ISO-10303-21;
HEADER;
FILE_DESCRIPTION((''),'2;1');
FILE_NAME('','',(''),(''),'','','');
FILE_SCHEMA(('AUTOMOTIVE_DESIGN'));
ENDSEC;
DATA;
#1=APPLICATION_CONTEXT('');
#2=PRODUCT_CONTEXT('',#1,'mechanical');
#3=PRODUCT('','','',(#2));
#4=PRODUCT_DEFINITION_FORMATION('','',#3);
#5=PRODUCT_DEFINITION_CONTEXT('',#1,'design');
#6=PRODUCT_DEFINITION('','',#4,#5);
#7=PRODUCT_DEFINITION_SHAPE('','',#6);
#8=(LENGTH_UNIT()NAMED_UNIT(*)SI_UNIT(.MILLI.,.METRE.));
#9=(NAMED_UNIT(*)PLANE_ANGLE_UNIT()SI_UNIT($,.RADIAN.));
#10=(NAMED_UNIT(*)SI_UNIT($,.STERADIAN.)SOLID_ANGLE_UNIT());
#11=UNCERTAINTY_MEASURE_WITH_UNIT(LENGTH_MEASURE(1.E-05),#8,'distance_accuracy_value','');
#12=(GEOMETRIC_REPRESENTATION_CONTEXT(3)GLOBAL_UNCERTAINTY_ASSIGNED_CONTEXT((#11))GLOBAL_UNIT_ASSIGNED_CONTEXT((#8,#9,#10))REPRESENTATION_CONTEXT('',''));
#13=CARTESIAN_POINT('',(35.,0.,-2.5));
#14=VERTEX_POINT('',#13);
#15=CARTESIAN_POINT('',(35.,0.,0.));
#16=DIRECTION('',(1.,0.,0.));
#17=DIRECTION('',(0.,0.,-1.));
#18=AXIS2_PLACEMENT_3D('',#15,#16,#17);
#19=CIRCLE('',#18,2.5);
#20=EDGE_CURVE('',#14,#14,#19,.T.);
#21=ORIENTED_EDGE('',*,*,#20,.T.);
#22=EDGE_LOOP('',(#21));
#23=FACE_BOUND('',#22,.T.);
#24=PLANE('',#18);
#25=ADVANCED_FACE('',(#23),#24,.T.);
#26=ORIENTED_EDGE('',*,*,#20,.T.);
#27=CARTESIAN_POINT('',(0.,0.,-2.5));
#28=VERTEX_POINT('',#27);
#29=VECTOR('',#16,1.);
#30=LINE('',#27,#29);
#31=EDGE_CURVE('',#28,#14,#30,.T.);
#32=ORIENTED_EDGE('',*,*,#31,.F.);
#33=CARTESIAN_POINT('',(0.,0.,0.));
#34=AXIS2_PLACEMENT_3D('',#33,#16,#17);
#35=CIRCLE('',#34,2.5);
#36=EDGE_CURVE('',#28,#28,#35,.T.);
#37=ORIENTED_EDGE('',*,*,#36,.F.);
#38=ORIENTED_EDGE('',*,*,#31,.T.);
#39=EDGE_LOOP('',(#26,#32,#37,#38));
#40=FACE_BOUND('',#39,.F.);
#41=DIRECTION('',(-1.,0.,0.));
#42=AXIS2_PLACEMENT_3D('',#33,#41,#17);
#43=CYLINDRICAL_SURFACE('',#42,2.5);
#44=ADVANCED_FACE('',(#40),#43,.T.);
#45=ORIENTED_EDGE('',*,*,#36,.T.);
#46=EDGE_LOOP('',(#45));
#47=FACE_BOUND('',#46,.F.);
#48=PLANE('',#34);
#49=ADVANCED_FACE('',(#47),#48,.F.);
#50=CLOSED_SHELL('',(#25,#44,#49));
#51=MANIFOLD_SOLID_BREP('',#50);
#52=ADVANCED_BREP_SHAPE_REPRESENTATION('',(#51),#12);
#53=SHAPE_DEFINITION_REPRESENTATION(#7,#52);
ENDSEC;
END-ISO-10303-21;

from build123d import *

# Parameters (mm, degrees)
SKETCH_1_R      = 2.5
EXTRUDE_1_DEPTH = 35


with BuildPart() as part:
    # 草图1 → 凸台-拉伸1 (new body)
    with BuildSketch(Plane(origin=(0, 0, 0), x_dir=(0, 0, -1), z_dir=(1, 0, 0))):
        Circle(SKETCH_1_R)
    extrude(amount=EXTRUDE_1_DEPTH)


solid = part.part
